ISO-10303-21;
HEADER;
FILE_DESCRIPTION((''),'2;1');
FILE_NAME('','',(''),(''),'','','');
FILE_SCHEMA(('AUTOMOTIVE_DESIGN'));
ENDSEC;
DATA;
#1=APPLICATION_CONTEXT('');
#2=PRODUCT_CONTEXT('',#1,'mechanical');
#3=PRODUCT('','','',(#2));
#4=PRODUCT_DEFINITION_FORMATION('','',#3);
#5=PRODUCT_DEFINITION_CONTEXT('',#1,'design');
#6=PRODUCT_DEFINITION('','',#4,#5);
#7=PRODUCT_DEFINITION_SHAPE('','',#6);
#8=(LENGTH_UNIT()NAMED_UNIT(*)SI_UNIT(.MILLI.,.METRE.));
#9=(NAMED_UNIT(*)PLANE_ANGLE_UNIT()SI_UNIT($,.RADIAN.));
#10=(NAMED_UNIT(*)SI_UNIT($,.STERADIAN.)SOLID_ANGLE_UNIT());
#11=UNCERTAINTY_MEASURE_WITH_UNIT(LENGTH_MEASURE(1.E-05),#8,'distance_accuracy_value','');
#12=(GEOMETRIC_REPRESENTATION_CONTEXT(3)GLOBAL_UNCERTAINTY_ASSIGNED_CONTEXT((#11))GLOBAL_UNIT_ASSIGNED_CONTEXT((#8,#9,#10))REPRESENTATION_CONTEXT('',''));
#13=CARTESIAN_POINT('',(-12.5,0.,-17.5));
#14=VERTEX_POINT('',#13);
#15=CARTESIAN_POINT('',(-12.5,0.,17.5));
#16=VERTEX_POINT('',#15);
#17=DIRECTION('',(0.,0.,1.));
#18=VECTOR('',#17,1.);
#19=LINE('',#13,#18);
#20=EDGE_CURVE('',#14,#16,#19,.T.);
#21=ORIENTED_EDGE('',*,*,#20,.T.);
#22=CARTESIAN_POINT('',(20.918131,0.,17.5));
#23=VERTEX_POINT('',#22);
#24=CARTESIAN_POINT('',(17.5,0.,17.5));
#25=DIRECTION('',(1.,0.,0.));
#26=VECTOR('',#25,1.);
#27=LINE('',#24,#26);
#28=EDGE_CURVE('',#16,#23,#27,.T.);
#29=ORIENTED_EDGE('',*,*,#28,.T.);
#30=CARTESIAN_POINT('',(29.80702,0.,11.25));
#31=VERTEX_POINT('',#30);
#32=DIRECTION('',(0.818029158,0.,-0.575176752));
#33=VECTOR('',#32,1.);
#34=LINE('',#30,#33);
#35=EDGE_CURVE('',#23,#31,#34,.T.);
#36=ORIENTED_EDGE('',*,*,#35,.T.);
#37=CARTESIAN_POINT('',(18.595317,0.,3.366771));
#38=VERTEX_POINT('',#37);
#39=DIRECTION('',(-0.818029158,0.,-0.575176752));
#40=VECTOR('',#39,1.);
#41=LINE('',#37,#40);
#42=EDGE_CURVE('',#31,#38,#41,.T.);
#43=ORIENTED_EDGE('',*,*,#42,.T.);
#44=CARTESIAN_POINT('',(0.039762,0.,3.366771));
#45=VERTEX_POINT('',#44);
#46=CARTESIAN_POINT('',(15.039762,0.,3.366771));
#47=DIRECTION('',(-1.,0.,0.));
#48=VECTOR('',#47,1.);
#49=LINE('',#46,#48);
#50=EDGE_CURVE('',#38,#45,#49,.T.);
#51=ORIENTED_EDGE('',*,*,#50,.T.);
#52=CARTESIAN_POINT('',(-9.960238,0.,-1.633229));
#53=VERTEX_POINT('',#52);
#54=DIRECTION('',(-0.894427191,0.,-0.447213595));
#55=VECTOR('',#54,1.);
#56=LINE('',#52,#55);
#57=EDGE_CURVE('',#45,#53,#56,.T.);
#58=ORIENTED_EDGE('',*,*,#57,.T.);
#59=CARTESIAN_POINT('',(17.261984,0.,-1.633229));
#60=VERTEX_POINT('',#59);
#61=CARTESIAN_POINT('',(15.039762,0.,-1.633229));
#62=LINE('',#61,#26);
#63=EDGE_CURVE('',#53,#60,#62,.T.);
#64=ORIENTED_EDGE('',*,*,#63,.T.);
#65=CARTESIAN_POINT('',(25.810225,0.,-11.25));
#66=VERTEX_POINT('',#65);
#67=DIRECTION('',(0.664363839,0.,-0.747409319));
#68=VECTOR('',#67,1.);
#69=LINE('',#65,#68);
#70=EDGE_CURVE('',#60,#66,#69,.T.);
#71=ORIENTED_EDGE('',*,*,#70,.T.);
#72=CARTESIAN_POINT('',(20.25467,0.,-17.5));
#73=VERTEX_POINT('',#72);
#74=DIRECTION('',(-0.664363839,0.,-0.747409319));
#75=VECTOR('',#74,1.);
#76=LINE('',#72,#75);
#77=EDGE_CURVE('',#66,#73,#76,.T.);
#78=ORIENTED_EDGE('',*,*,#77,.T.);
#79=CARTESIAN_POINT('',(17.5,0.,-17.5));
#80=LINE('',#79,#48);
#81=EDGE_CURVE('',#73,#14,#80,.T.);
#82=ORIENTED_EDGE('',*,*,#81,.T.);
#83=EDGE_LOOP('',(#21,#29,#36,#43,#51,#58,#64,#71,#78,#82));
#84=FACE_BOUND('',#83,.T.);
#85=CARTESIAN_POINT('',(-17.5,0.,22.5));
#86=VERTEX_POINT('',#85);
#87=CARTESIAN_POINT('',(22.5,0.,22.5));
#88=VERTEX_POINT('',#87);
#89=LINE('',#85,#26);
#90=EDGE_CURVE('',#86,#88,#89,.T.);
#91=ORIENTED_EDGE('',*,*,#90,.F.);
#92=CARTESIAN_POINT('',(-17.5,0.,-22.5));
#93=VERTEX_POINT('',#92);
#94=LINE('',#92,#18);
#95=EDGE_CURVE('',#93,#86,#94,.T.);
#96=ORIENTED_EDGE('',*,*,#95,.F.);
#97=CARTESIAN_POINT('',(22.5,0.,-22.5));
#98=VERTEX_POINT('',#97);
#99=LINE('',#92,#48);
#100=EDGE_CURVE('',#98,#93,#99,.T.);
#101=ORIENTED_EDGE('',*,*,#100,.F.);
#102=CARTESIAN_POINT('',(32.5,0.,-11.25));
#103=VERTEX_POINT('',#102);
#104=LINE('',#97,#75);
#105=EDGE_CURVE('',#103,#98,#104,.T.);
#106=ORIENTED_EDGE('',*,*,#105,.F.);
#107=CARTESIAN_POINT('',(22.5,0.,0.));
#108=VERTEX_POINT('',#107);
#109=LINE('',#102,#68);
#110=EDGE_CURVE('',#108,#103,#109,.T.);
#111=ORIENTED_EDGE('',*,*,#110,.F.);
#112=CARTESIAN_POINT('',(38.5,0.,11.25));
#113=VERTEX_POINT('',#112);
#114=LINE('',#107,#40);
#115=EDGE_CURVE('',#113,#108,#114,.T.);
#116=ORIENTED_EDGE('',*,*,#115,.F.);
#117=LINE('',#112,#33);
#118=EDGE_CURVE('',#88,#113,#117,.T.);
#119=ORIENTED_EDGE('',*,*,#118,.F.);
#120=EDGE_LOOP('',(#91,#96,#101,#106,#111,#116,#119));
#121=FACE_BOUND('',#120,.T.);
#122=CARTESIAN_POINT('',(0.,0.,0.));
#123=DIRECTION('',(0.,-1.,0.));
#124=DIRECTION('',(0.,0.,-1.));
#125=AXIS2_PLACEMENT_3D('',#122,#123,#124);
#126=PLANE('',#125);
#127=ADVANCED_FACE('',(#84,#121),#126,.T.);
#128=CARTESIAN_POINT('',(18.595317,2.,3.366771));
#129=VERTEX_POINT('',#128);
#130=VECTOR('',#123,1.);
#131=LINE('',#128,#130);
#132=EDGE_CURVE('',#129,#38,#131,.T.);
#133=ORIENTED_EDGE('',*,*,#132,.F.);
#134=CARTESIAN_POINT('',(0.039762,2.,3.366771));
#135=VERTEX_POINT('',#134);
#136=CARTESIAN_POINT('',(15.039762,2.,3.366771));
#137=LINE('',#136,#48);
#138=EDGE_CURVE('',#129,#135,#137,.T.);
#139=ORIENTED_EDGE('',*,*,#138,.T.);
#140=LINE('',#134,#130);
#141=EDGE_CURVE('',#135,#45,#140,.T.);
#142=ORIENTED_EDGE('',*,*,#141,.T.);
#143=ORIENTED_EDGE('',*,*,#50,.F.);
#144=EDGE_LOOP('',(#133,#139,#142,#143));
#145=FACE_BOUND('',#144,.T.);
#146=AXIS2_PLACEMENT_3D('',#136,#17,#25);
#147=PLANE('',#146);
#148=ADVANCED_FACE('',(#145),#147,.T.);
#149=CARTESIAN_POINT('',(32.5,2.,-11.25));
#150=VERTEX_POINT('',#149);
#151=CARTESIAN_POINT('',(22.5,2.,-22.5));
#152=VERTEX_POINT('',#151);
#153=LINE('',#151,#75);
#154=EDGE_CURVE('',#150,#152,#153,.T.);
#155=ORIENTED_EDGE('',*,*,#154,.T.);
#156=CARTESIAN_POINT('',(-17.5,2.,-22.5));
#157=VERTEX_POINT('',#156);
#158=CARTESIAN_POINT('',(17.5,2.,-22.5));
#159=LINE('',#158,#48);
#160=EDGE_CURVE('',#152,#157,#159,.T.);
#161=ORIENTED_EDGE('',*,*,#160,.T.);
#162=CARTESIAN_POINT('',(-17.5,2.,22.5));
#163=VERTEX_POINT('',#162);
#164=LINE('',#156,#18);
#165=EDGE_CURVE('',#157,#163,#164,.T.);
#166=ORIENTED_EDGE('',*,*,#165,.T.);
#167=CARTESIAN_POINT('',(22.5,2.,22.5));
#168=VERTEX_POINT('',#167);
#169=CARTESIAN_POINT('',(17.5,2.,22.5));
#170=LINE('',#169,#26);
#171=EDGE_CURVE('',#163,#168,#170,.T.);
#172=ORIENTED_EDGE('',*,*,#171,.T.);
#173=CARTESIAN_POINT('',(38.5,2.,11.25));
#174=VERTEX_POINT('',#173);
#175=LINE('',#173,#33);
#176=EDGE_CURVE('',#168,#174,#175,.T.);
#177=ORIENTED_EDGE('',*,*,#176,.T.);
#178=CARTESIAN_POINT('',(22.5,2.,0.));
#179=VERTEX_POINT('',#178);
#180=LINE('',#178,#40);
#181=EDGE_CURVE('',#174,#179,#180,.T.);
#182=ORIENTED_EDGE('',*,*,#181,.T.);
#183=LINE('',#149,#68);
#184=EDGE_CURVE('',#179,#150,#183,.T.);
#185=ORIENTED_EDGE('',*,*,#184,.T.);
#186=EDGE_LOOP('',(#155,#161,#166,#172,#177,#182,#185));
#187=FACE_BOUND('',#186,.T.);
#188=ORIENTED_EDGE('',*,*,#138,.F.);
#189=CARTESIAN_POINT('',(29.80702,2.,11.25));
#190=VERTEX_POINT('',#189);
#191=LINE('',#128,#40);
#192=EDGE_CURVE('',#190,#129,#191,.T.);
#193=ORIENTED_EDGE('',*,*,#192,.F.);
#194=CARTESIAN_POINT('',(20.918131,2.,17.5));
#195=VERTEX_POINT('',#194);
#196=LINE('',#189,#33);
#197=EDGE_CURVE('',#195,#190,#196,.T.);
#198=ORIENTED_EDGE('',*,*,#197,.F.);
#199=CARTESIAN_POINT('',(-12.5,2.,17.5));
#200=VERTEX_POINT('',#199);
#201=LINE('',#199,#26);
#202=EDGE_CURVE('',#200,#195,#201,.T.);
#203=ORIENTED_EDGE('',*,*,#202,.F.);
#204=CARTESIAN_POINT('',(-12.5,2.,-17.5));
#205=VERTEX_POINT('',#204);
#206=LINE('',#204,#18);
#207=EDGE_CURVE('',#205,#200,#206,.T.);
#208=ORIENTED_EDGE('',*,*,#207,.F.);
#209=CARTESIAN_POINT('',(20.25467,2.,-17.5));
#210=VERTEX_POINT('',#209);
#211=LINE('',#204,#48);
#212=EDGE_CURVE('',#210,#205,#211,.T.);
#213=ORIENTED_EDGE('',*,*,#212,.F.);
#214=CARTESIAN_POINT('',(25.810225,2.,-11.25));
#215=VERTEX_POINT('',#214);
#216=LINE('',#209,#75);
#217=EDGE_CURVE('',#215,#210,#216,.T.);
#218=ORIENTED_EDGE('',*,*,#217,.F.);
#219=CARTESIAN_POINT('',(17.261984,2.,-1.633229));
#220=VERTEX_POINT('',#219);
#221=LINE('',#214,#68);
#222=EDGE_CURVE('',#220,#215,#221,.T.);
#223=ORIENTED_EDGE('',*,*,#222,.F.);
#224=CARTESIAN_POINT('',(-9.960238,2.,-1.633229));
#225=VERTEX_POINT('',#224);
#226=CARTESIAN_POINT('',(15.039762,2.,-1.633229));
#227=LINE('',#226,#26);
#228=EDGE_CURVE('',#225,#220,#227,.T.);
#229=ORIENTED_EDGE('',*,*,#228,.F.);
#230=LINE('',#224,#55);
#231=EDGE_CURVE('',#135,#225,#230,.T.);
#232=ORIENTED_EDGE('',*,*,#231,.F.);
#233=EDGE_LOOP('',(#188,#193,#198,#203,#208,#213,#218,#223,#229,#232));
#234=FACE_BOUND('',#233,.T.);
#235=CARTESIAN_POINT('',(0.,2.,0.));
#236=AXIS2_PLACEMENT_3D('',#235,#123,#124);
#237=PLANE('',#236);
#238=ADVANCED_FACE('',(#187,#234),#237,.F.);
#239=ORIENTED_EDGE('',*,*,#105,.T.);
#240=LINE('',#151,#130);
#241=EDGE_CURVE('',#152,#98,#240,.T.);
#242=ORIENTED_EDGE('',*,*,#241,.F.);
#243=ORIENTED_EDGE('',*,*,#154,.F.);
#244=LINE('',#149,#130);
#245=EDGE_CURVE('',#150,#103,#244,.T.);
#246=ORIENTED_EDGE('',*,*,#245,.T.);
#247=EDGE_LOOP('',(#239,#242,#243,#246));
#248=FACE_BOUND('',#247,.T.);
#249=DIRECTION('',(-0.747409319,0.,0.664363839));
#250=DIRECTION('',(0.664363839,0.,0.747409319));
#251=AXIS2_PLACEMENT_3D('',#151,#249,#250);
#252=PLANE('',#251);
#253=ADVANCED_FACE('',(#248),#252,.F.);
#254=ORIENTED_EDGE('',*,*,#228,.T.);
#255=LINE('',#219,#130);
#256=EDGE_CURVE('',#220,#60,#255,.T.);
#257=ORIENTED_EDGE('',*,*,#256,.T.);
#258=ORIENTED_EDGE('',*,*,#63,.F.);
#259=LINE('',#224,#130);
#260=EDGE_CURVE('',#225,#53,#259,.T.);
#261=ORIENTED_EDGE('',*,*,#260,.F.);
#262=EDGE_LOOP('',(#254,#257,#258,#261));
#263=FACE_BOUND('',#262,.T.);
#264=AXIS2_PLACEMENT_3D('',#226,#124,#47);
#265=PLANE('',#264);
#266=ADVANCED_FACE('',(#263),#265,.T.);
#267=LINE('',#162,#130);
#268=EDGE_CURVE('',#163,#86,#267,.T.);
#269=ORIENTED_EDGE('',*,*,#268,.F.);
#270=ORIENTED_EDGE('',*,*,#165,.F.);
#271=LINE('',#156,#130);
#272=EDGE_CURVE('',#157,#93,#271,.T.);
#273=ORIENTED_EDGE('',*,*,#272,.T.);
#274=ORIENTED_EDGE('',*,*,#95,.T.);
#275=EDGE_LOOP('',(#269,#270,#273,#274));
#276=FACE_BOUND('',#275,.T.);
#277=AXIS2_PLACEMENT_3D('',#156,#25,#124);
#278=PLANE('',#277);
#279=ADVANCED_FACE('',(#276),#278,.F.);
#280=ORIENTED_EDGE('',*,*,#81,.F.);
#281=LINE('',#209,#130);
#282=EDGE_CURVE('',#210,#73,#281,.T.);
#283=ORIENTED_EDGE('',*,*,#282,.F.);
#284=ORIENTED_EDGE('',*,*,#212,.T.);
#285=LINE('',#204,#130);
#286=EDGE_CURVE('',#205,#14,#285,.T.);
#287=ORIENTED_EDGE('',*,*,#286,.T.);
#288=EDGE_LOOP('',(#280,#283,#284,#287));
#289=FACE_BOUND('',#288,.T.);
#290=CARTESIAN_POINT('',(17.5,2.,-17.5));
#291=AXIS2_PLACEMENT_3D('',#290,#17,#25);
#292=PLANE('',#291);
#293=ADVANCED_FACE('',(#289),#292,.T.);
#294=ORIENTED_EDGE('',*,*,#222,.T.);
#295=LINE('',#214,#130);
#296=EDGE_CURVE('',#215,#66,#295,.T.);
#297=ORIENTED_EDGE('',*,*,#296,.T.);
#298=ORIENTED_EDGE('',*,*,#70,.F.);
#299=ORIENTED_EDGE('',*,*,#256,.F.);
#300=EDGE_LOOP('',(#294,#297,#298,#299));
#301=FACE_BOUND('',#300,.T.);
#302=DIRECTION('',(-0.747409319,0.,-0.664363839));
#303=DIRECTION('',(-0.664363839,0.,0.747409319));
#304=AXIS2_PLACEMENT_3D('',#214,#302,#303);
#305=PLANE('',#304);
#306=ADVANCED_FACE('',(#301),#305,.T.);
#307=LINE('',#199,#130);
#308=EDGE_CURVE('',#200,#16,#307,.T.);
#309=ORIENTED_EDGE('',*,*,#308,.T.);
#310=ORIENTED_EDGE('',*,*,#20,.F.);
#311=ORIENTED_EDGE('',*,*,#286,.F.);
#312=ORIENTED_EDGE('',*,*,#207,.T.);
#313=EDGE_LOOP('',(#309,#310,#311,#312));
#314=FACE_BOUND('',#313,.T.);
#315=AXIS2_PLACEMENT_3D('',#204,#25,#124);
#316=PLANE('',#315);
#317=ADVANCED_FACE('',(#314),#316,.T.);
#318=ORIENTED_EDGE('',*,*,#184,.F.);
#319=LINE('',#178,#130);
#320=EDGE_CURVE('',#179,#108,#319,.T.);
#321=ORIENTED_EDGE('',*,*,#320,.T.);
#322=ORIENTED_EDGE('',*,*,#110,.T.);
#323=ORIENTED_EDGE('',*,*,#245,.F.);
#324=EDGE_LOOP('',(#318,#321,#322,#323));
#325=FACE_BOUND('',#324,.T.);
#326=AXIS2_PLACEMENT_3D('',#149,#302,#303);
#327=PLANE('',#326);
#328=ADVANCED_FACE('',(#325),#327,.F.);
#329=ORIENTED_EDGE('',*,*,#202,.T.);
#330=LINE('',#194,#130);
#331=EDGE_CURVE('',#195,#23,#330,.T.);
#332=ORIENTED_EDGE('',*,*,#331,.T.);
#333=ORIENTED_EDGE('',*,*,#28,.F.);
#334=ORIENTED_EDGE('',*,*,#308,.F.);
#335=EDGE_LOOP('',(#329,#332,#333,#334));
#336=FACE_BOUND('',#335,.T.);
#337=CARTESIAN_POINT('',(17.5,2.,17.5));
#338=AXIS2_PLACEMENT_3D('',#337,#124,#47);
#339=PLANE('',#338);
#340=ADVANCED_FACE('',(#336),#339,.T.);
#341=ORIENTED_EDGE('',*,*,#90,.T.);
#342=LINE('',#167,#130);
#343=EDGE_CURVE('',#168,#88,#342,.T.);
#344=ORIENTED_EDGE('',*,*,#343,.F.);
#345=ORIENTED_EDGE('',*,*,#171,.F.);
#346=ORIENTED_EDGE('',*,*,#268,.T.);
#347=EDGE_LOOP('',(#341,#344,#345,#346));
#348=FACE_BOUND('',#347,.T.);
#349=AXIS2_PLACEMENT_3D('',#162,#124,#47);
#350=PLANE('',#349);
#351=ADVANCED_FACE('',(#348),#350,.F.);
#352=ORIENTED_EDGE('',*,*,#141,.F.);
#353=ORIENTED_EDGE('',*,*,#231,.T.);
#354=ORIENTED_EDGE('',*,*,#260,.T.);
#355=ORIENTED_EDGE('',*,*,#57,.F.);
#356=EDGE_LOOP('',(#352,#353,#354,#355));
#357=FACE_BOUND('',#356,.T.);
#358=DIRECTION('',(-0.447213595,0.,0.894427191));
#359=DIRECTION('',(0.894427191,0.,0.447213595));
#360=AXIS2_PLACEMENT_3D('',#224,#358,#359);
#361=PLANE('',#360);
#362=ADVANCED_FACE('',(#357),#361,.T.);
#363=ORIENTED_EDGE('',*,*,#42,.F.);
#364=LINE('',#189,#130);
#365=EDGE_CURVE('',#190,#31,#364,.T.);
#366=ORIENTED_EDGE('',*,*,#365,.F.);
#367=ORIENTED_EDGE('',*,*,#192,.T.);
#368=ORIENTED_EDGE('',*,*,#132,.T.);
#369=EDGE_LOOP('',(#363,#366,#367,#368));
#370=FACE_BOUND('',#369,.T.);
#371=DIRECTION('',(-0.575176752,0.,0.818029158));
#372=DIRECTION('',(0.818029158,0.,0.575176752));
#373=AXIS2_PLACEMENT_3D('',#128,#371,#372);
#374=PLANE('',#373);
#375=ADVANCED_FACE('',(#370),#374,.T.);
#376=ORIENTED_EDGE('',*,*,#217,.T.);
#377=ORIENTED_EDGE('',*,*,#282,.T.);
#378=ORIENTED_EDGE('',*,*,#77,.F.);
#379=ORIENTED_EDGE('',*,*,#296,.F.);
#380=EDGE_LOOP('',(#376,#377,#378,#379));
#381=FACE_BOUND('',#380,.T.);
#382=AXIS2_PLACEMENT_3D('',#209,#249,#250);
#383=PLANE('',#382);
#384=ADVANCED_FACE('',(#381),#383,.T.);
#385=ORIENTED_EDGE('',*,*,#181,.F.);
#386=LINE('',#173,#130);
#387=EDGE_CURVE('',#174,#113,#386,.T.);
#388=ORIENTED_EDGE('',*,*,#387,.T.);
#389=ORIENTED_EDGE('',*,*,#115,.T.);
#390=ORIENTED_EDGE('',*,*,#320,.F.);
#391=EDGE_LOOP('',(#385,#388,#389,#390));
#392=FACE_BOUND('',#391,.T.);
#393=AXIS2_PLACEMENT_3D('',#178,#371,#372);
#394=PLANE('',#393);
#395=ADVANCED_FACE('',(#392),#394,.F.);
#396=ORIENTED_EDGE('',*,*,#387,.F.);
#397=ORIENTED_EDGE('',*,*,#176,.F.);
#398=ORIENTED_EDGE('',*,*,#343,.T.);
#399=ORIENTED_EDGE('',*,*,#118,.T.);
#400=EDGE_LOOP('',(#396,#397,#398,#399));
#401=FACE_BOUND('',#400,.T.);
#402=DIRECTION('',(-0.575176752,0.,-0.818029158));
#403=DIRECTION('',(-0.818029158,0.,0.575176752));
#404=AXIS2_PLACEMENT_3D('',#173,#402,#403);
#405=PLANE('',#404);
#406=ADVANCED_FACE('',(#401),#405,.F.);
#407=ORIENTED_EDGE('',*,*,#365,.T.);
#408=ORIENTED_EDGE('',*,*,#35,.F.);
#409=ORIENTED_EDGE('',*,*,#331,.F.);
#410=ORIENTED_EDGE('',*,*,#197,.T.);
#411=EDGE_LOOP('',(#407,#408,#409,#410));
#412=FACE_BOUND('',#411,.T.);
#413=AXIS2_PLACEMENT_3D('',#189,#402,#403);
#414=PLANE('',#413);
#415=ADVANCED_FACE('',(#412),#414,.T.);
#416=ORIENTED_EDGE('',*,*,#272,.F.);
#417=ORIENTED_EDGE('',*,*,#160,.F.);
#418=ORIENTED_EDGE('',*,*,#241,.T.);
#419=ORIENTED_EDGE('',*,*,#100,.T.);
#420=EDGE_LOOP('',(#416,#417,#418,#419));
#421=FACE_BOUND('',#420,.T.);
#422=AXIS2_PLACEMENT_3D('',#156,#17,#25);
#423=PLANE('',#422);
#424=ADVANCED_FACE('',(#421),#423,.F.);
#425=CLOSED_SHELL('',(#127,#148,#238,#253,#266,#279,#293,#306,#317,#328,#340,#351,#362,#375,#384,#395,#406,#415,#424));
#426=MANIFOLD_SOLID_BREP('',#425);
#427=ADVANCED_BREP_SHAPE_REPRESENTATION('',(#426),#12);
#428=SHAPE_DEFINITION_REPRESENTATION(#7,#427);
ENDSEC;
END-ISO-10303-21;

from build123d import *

# Parameters (mm, degrees)
BOSS_EXTRUDE1_DEPTH = 2


with BuildPart() as part:
    # Sketch2 → Boss-Extrude1 (new body)
    with BuildSketch(Plane(origin=(0, 0, 0), x_dir=(1, 0, 0), z_dir=(0, 1, 0))):
        Polygon((17.5, 22.5), (22.5, 22.5), (32.5, 11.25), (22.5, 0), (38.5, -11.25), (22.5, -22.5), (17.5, -22.5), (-17.5, -22.5), (-17.5, 22.5), align=None)
        Polygon((17.5, 17.5), (20.254669678, 17.5), (25.810225234, 11.25), (17.261983906, 1.633228506), (15.039761683, 1.633228506), (-9.960238317, 1.633228506), (0.039761683, -3.366771494), (15.039761683, -3.366771494), (18.595317239, -3.366771494), (29.807020003, -11.25), (20.918131114, -17.5), (17.5, -17.5), (-12.5, -17.5), (-12.5, 17.5), align=None, mode=Mode.SUBTRACT)
    extrude(amount=BOSS_EXTRUDE1_DEPTH)


solid = part.part
